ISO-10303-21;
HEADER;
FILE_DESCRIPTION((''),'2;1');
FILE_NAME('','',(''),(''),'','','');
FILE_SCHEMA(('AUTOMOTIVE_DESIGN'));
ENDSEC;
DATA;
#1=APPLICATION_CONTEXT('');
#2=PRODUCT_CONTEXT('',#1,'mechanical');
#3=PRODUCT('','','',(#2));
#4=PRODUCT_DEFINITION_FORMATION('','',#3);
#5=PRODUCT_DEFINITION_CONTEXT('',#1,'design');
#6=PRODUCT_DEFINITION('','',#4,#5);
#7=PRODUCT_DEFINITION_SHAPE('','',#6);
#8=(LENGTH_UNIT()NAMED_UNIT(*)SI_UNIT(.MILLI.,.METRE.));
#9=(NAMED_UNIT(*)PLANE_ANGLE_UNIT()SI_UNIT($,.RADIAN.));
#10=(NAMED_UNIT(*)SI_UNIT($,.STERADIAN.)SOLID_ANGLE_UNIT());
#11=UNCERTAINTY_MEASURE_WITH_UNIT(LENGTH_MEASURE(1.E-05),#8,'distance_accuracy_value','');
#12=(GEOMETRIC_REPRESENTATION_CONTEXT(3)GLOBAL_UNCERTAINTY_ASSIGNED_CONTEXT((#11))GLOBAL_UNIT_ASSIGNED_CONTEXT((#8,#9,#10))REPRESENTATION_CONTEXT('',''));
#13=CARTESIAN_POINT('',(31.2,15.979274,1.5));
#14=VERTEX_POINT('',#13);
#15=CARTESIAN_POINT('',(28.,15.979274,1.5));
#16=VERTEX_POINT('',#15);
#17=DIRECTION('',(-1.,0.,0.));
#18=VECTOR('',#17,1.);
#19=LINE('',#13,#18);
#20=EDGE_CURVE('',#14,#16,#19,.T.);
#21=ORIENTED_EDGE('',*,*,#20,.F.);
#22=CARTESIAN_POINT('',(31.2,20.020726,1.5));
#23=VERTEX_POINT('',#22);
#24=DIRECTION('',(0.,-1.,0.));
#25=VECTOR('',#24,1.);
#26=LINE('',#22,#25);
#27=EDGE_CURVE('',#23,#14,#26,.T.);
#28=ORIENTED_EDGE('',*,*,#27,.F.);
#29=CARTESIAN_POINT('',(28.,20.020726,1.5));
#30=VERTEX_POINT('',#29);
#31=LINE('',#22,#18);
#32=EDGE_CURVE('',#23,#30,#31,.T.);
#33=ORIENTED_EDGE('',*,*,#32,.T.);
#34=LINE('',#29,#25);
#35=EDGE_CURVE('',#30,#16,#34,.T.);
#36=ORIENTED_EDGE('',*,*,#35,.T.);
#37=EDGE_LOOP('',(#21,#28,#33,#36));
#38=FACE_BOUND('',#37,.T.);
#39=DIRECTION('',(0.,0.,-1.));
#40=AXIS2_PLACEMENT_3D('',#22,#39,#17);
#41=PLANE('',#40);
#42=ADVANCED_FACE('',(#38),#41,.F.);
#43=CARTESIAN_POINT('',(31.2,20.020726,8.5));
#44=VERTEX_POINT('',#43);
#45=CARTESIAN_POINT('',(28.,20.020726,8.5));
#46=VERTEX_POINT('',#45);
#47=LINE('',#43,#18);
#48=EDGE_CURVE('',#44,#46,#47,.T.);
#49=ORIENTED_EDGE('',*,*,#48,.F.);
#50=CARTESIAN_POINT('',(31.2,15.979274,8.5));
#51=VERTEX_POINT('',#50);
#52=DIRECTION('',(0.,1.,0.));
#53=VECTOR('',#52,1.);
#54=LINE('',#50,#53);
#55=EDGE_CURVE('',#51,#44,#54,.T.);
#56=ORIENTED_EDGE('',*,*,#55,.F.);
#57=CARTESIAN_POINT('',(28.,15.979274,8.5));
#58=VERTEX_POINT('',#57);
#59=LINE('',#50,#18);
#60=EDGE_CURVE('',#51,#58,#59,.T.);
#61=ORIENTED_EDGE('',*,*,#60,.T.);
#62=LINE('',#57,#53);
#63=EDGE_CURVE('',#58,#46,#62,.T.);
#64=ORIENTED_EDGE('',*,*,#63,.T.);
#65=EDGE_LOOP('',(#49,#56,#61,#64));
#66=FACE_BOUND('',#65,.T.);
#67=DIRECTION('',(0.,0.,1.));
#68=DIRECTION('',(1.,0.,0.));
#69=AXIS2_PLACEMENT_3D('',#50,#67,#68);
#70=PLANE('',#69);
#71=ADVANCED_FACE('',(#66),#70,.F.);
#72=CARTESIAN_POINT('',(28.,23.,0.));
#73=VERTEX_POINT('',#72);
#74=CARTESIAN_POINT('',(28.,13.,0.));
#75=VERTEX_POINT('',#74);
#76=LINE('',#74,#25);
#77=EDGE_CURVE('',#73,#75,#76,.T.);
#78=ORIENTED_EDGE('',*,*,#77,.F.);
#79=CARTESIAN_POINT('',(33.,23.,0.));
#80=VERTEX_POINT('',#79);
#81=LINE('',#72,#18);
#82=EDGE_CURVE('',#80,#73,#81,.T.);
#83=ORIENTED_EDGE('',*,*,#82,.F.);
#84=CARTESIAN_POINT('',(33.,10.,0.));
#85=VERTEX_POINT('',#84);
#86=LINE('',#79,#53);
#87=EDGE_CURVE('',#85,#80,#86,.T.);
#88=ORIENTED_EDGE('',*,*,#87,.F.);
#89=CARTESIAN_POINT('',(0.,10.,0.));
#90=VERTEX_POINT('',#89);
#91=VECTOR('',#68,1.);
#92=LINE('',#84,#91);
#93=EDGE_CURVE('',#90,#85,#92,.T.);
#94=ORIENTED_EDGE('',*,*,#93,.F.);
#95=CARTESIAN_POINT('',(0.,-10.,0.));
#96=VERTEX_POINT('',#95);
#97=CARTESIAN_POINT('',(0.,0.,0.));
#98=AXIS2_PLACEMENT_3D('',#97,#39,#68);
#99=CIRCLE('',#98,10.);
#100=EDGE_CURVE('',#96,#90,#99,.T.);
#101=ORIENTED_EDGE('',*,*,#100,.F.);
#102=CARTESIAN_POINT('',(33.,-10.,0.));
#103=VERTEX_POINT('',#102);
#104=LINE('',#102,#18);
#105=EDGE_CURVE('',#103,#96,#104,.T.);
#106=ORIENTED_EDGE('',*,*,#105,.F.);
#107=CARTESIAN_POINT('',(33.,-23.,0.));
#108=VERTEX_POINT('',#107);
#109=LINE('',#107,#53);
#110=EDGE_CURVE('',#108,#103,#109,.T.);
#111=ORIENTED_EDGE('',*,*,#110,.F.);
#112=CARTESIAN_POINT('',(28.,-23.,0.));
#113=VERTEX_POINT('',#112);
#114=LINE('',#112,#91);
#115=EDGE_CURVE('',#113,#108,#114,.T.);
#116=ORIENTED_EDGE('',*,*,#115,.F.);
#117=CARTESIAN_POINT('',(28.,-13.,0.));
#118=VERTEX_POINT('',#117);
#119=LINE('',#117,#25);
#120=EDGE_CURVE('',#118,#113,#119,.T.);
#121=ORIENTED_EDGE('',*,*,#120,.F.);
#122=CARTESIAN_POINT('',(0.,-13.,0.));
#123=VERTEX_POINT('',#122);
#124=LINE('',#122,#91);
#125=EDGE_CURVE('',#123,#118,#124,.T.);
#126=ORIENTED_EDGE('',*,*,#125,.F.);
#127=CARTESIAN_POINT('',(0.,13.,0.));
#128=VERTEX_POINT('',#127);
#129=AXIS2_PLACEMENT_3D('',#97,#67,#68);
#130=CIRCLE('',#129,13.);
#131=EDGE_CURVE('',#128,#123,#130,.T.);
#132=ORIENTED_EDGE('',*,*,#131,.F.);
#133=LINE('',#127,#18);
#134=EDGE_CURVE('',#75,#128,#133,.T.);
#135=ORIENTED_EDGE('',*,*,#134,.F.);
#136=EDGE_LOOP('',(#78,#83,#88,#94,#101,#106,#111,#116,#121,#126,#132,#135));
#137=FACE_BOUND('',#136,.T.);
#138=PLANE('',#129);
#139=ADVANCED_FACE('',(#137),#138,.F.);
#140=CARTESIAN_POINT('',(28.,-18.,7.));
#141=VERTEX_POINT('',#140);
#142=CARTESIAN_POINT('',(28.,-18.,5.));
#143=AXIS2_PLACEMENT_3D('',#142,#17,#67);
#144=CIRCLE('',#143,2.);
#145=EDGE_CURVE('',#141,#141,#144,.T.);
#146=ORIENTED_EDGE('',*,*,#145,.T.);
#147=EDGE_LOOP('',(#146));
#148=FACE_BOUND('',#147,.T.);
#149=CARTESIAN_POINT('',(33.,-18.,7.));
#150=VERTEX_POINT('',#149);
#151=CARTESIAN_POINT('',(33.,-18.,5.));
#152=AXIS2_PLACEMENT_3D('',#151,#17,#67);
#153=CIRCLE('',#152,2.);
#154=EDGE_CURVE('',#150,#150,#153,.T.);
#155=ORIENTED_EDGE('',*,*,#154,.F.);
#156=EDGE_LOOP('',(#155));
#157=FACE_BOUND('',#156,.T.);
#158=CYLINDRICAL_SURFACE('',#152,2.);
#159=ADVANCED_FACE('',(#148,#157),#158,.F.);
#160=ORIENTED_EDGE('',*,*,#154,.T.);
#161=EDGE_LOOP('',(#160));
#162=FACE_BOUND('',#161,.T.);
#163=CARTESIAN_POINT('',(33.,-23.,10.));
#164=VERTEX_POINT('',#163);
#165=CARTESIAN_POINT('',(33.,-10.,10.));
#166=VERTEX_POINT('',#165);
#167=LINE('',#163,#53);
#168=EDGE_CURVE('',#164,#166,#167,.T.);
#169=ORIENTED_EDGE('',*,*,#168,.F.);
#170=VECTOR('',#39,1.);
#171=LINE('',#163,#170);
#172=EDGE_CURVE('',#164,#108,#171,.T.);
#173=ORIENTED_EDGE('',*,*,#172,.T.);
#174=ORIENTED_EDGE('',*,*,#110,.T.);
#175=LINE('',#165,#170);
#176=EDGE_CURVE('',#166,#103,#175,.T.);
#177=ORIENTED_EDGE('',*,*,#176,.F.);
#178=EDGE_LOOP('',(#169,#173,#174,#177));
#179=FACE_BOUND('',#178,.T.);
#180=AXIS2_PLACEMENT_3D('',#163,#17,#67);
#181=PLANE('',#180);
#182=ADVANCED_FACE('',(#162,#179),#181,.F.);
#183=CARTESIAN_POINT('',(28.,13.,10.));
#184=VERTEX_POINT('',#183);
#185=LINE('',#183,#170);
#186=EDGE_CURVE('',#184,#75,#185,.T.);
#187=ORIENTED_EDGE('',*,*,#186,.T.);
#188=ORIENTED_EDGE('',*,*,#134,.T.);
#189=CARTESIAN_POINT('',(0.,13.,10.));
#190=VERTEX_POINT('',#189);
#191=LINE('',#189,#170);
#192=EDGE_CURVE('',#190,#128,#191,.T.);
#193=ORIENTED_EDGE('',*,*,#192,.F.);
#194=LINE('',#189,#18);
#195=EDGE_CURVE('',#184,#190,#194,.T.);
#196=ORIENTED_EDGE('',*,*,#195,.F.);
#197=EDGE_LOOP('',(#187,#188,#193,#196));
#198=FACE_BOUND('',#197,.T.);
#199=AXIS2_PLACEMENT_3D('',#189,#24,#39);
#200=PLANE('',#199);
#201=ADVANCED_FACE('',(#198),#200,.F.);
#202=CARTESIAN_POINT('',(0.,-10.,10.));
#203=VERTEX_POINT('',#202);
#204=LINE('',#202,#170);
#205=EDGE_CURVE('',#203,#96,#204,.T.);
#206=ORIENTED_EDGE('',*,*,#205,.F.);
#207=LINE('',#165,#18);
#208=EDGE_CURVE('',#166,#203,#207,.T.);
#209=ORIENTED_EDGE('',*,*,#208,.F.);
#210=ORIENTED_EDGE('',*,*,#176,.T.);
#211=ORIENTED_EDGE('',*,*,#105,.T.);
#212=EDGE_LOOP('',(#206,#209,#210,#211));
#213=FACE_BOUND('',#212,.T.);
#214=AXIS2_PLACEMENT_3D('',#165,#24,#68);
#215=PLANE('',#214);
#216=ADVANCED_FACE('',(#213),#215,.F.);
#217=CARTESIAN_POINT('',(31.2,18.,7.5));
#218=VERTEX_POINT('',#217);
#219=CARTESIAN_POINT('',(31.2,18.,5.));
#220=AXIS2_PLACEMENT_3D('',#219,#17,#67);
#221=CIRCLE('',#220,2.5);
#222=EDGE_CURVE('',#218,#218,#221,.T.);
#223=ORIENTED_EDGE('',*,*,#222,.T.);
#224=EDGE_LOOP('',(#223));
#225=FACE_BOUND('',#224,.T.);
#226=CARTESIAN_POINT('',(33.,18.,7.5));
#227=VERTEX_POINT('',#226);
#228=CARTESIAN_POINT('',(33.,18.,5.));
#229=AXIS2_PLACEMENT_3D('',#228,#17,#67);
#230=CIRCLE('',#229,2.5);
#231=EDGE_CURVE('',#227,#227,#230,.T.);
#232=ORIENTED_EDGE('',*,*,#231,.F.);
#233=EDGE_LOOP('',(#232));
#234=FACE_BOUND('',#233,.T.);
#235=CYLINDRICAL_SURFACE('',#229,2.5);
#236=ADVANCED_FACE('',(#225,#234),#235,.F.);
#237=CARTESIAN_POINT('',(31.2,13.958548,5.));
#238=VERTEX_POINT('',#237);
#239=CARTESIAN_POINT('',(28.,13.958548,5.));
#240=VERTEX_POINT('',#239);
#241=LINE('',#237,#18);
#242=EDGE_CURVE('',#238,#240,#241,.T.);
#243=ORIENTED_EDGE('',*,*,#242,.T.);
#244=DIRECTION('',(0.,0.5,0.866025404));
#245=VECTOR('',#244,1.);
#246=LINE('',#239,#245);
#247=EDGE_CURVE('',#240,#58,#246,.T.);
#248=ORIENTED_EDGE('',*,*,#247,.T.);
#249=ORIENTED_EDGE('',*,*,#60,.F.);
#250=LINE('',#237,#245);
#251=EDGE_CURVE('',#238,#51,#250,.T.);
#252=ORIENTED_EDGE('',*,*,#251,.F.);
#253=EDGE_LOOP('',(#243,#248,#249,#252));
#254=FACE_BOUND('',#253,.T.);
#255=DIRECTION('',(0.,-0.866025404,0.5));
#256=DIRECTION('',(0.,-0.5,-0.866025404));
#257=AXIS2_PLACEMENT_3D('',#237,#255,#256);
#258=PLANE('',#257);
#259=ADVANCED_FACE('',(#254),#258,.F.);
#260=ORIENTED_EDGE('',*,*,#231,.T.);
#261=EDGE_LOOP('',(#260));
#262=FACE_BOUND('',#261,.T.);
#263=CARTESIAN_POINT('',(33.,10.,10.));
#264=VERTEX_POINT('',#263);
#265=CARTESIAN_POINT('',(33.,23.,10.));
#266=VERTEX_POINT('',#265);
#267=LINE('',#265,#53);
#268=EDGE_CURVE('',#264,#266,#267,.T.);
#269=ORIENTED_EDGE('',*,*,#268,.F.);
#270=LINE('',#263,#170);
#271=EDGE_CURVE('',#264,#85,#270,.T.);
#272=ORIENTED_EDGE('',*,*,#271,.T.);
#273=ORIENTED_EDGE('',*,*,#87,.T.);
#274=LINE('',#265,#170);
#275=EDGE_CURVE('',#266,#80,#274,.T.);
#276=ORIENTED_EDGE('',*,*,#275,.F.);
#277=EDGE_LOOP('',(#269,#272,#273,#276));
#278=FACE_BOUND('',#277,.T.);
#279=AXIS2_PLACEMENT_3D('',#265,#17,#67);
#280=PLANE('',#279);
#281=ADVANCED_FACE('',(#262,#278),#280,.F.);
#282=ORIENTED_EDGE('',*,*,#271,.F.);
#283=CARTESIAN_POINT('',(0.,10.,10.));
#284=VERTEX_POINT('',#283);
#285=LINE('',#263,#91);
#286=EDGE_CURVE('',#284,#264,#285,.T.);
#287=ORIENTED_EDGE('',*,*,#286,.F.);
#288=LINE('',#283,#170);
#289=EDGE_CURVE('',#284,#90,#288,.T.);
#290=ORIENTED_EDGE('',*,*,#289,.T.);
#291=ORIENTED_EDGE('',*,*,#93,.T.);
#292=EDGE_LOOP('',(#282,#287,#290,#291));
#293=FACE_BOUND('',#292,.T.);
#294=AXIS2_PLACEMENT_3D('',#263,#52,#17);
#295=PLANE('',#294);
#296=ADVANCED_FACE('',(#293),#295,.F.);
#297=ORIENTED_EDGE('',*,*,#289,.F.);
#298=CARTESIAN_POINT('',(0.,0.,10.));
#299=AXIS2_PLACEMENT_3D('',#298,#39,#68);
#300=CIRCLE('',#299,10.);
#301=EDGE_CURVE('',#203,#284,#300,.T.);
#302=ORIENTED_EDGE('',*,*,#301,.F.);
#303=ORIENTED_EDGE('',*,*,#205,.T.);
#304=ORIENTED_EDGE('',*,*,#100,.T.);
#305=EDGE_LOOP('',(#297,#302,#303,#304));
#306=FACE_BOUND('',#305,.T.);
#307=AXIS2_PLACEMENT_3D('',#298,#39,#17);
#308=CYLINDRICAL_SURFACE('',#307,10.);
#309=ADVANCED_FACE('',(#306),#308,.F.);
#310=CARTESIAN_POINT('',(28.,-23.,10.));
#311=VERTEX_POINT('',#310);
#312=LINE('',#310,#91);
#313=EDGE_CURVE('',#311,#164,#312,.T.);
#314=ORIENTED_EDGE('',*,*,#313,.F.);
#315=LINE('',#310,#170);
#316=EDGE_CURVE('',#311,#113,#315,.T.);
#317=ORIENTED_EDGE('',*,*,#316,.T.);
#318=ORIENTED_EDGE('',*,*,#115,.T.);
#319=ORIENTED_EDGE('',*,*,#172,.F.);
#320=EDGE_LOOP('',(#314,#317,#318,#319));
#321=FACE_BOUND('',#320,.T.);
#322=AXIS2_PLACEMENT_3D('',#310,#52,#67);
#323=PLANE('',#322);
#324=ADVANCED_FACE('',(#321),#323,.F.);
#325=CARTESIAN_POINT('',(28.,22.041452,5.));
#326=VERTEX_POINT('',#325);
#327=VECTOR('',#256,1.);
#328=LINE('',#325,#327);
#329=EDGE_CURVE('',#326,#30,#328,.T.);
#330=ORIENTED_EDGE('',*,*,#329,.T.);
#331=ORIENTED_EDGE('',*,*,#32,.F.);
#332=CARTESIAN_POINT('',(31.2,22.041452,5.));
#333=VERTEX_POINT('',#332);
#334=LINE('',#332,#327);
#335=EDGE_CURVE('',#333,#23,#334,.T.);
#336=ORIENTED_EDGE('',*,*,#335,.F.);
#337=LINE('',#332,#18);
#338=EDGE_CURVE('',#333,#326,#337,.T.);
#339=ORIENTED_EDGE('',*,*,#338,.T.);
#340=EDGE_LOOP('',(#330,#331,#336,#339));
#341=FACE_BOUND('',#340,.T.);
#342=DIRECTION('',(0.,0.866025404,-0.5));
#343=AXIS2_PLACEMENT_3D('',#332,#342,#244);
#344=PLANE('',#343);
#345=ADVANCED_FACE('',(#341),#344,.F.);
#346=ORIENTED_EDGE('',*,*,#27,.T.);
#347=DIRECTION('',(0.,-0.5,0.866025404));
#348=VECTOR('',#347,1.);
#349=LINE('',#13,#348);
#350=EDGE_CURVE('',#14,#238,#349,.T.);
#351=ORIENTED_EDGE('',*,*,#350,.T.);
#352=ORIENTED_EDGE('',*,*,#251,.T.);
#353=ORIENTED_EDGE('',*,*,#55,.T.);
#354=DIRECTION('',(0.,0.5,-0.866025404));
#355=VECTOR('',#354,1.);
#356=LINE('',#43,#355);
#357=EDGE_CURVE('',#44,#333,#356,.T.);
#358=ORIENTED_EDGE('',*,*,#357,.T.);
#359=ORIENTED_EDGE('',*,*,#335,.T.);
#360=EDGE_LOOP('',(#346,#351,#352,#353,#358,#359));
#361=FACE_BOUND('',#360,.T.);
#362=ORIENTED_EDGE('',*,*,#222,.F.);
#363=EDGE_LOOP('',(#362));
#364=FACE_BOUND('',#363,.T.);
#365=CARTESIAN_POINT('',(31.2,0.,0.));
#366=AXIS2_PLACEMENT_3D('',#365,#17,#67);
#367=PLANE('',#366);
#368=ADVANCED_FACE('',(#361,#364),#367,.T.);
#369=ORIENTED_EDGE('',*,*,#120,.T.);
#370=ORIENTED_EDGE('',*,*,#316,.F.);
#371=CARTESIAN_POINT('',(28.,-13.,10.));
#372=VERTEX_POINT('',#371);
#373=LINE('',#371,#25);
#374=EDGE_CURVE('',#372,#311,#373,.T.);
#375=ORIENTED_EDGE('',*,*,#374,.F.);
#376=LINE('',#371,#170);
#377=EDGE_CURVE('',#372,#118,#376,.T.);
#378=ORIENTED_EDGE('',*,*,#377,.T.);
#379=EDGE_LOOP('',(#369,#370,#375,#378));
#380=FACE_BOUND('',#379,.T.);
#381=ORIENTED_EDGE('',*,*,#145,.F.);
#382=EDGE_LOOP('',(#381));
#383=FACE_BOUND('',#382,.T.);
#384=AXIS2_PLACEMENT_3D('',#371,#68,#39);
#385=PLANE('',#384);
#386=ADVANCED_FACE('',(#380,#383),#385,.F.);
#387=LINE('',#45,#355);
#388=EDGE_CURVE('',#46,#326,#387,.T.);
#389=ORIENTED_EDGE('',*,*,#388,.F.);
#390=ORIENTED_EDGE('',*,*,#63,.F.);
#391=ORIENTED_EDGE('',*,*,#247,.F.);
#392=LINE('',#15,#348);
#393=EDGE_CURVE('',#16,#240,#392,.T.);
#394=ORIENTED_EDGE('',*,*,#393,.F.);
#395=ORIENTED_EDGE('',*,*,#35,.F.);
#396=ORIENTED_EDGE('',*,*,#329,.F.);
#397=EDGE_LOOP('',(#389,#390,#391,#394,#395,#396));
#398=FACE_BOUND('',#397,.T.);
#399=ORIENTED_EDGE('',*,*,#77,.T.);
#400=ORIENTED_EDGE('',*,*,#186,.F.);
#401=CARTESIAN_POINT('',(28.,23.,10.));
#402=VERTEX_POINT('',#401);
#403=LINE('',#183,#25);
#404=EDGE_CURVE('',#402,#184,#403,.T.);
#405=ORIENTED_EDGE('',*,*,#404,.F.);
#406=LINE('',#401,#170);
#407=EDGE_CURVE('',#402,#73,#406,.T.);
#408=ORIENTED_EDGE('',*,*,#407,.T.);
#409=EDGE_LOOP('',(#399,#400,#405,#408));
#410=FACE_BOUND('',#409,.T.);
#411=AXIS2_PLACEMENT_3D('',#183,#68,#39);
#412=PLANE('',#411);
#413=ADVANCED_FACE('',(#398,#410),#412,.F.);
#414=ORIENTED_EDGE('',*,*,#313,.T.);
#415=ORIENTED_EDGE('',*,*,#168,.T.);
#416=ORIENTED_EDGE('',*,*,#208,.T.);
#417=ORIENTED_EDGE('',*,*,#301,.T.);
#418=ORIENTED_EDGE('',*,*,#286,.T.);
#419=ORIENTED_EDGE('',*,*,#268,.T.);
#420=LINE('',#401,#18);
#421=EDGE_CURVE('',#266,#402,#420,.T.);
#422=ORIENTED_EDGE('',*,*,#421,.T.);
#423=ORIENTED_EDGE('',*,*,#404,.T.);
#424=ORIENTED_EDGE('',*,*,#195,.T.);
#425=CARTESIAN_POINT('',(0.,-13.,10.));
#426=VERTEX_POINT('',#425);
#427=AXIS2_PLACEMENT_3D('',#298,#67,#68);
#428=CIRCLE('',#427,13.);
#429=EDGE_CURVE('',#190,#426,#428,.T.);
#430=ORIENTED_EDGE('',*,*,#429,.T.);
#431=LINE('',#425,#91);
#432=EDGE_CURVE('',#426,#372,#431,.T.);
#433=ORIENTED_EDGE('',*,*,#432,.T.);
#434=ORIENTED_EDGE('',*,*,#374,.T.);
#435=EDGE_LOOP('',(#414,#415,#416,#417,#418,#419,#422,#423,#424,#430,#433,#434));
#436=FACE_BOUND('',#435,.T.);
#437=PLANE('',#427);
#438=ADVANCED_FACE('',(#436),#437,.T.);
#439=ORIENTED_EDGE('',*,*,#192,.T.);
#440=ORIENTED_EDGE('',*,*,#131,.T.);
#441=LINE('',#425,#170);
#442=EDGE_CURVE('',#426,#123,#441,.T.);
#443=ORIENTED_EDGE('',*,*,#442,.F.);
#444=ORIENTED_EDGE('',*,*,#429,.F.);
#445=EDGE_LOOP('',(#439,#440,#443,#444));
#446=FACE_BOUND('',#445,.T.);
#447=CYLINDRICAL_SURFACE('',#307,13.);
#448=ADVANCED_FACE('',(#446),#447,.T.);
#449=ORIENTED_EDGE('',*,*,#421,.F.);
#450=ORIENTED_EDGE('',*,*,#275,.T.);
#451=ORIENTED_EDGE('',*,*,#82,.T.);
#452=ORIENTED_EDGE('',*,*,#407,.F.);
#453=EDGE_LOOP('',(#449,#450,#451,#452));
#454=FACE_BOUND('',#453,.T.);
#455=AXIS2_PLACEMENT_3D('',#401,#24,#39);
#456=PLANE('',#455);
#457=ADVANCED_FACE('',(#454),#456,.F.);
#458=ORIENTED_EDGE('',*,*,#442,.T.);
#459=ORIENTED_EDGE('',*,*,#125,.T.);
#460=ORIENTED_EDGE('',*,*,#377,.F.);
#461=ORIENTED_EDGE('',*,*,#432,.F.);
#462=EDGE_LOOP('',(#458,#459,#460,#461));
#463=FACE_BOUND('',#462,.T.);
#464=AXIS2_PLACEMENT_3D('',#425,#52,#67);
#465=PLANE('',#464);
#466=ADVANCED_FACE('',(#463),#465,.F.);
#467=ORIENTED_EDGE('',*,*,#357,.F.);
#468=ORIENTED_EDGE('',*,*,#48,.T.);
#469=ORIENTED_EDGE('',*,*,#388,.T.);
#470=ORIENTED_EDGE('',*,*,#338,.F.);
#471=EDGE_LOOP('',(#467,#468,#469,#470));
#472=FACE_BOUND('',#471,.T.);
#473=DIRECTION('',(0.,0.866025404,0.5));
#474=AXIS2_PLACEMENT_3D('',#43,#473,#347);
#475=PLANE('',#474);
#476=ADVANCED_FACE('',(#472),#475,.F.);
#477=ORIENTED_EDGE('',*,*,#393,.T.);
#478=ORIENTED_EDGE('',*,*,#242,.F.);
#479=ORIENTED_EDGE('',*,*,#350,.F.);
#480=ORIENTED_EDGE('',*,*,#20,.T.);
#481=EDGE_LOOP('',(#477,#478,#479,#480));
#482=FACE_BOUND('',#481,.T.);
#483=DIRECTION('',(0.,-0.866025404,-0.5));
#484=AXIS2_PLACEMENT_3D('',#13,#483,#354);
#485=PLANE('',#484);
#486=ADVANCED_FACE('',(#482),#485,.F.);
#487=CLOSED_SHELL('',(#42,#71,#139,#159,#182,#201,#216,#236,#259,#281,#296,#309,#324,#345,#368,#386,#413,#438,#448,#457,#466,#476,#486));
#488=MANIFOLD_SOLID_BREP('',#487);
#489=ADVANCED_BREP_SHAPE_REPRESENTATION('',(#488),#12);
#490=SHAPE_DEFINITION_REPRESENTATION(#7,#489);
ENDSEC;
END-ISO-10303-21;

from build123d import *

# Parameters (mm, degrees)
EXTRUDE_1_DEPTH     = 10
CUT_EXTRUDE_1_DEPTH = 3.2
SKETCH_3_R          = 2.5
CUT_EXTRUDE_2_DEPTH = 6
SKETCH_4_R          = 2
CUT_EXTRUDE_3_DEPTH = 6


with BuildPart() as part:
    # 草图1 → 凸台-拉伸1 (new body)
    with BuildSketch(Plane.XY):
        with BuildLine():
            Line((0, 13), (28, 13))
            Line((28, 13), (28, 23))
            Line((28, 23), (33, 23))
            Line((33, 23), (33, 10))
            Line((33, 10), (0, 10))
            ThreePointArc((0, 10), (-10, 0), (0, -10))
            Line((0, -10), (33, -10))
            Line((33, -10), (33, -23))
            Line((33, -23), (28, -23))
            Line((28, -23), (28, -13))
            Line((28, -13), (0, -13))
            ThreePointArc((0, -13), (-13, 0), (0, 13))
        make_face()
    extrude(amount=EXTRUDE_1_DEPTH)

    # 草图2 → 切除-拉伸1 (cut)
    with BuildSketch(Plane.ZY.offset(-28)):
        Polygon((8.5, 15.979274058), (8.5, 20.020725942), (5, 22.041451884), (1.5, 20.020725942), (1.5, 15.979274058), (5, 13.958548116), align=None)
    extrude(amount=-CUT_EXTRUDE_1_DEPTH, mode=Mode.SUBTRACT)

    # 草图3 → 切除-拉伸2 (cut, through all)
    with BuildSketch(Plane.ZY.offset(-28)):
        with Locations((5, 18)):
            Circle(SKETCH_3_R)
    extrude(amount=-CUT_EXTRUDE_2_DEPTH, mode=Mode.SUBTRACT)

    # 草图4 → 切除-拉伸3 (cut, through all)
    with BuildSketch(Plane.ZY.offset(-28)):
        with Locations((5, -18)):
            Circle(SKETCH_4_R)
    extrude(amount=-CUT_EXTRUDE_3_DEPTH, mode=Mode.SUBTRACT)


solid = part.part
